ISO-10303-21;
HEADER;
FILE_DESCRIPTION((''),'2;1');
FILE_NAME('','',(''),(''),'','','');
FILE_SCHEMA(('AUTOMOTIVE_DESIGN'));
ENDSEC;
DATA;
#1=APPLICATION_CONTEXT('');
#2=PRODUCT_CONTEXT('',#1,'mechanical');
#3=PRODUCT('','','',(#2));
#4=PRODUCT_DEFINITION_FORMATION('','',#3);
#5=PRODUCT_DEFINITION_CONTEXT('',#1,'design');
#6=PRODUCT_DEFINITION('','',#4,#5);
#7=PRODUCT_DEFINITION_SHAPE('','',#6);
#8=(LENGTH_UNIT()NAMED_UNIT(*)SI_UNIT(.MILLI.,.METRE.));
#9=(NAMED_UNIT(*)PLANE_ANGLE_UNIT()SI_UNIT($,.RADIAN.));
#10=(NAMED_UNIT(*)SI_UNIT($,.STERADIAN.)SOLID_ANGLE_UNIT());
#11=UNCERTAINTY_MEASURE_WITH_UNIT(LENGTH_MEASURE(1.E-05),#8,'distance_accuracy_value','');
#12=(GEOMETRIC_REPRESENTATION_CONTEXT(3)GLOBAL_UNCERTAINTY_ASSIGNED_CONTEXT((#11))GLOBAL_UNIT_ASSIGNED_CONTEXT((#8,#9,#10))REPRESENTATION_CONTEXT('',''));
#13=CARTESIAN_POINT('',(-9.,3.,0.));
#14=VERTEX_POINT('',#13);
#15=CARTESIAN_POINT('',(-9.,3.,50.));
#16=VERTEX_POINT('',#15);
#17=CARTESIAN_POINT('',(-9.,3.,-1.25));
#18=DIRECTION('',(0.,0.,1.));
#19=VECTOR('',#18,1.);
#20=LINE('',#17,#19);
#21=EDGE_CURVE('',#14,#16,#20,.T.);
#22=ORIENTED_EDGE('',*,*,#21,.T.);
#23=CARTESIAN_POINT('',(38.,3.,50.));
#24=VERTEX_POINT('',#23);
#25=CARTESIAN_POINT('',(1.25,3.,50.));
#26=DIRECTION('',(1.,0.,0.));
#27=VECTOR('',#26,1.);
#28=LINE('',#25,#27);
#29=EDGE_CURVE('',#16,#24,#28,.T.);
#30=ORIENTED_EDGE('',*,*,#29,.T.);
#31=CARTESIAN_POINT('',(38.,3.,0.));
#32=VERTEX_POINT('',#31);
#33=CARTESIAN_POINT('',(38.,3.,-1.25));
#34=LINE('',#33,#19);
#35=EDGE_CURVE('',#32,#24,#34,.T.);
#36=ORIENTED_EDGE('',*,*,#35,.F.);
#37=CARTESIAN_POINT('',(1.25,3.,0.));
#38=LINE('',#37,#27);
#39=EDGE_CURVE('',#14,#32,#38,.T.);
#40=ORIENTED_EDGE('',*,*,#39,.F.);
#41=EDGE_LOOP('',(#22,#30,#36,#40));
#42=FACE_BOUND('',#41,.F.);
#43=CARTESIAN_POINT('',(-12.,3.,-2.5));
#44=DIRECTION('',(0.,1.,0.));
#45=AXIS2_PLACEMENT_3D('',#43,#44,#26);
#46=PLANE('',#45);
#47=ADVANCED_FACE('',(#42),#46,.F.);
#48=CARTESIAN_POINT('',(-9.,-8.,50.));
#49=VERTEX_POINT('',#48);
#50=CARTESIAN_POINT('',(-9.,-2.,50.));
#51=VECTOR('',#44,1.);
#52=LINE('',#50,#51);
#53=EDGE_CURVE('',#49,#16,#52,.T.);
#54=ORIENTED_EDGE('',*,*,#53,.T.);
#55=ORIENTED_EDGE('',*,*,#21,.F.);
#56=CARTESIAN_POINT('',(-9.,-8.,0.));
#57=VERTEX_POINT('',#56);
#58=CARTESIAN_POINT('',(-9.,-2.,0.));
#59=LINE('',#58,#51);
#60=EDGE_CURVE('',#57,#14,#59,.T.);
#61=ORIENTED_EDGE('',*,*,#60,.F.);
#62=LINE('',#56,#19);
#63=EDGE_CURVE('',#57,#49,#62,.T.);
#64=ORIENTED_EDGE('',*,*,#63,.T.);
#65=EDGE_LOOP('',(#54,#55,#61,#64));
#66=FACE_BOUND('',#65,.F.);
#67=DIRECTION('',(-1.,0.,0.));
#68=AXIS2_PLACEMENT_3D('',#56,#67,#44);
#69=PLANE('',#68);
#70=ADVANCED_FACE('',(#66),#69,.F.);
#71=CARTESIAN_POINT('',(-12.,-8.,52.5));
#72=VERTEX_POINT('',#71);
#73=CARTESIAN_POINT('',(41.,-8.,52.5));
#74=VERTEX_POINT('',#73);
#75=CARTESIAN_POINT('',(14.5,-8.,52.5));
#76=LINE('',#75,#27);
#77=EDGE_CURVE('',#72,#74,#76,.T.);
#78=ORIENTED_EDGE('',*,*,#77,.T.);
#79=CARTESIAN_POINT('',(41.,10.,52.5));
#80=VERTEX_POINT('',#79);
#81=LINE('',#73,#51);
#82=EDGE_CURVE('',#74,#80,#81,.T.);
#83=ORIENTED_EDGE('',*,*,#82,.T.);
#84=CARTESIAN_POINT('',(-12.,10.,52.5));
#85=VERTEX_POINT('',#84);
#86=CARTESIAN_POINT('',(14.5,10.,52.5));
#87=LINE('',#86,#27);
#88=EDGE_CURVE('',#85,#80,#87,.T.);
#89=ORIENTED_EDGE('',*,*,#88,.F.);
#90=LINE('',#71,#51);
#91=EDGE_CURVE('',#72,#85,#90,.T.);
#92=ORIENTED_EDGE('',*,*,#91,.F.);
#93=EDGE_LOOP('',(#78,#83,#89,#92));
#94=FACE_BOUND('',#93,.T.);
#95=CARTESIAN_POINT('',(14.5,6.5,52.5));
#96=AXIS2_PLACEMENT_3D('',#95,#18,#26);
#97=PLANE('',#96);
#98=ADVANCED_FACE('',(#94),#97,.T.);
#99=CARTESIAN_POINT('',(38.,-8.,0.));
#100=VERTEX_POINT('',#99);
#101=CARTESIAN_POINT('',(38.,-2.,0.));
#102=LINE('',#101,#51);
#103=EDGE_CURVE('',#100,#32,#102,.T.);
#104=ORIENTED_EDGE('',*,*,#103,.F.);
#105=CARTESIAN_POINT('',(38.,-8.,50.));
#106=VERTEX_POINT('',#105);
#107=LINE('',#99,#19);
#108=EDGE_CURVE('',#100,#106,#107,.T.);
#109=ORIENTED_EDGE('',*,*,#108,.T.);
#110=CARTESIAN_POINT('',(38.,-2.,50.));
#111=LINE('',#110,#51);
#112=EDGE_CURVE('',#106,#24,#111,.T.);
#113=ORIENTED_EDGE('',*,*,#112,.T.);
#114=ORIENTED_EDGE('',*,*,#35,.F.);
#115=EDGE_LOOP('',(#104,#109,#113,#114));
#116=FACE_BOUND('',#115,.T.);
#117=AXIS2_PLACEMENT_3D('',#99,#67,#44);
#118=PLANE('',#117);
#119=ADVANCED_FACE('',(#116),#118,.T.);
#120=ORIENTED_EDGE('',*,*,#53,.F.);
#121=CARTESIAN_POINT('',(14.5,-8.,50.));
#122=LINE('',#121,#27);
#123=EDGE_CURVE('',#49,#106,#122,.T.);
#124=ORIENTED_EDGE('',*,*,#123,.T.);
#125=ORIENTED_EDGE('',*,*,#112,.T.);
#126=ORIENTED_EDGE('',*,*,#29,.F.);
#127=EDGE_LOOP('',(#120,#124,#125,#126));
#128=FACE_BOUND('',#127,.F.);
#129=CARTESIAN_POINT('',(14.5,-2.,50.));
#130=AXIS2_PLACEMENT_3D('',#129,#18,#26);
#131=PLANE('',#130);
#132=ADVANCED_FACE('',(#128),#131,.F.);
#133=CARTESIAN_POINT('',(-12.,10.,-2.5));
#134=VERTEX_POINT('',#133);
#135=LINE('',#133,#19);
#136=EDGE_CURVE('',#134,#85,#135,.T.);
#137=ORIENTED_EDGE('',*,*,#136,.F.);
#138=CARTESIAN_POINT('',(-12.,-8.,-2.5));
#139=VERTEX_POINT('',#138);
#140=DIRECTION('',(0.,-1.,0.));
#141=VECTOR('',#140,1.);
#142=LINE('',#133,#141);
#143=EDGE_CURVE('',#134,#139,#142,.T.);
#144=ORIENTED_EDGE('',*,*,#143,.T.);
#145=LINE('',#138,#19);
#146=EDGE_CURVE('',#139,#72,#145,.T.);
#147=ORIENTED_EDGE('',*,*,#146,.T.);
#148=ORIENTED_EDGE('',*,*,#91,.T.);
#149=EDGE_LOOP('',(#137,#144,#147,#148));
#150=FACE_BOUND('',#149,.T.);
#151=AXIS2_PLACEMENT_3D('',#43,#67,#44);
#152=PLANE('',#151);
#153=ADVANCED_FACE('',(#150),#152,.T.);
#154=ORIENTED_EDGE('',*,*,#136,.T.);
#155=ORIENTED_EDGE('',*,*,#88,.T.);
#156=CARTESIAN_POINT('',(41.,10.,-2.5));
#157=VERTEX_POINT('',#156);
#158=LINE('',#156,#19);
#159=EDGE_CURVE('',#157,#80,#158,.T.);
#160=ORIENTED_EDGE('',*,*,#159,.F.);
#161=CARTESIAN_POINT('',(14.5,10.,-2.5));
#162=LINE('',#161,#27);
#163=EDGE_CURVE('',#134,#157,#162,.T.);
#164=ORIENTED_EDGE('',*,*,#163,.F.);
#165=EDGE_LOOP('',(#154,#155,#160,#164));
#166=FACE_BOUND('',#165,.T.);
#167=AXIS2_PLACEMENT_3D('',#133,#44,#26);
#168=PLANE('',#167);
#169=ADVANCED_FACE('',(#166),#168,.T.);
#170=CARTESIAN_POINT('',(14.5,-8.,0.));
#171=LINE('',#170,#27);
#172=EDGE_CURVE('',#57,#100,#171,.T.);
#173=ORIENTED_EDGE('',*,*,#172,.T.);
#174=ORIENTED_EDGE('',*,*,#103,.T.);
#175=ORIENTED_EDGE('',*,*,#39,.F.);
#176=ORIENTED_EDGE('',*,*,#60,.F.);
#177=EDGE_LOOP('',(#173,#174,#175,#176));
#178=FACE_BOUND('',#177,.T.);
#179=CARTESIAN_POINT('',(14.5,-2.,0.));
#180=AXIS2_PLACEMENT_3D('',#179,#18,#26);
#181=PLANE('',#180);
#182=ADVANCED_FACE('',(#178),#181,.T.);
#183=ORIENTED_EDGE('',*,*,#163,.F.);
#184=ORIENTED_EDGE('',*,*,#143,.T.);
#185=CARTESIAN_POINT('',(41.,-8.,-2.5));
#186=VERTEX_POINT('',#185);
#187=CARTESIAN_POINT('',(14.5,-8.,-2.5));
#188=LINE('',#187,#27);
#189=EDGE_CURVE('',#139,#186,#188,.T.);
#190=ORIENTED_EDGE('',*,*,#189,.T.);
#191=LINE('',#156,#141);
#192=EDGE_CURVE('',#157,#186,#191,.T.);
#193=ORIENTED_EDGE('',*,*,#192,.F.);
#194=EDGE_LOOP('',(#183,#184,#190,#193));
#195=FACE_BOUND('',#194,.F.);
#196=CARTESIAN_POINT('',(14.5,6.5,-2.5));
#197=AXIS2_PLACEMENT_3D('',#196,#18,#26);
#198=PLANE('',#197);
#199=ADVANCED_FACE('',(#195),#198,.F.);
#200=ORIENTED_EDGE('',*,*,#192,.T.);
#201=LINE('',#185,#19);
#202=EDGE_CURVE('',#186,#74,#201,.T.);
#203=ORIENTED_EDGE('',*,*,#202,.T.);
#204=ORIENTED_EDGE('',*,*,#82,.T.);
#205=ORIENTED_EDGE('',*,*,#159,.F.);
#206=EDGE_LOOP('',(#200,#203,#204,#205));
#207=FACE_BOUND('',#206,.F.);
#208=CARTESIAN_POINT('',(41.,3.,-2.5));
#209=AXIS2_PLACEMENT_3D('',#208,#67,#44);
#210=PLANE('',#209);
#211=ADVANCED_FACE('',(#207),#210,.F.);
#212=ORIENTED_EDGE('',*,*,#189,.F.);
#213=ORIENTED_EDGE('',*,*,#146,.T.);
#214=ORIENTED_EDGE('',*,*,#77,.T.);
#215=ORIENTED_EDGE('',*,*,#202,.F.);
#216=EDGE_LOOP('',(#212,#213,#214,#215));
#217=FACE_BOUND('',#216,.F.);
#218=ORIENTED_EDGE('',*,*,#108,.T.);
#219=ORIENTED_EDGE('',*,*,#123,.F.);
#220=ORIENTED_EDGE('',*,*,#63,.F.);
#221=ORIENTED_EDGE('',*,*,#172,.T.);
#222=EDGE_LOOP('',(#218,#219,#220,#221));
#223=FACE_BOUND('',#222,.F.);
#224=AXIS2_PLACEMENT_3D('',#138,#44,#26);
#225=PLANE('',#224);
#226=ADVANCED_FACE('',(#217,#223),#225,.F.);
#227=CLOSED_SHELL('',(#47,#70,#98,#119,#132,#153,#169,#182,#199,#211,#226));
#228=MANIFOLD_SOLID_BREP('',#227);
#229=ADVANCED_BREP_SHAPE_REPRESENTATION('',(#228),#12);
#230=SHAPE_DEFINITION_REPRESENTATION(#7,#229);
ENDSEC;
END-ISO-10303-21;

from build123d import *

# Parameters (mm, degrees)
BOX031_W     = 53
BOX031_H     = 7
BOX031_DEPTH = 55
BOX029_W     = 47
BOX029_H     = 12
BOX029_DEPTH = 50
BOX030_W     = 53
BOX030_H     = 11
BOX030_DEPTH = 55


with BuildPart() as cube030:
    # Box031 → Box031 (new body)
    with BuildSketch(Plane(origin=(-12, 3, -2.5), x_dir=(1, 0, 0), z_dir=(0, 0, 1))):
        with Locations((26.5, 3.5)):
            Rectangle(BOX031_W, BOX031_H)
    extrude(amount=BOX031_DEPTH)


with BuildPart() as cube028:
    # Box029 → Box029 (new body)
    with BuildSketch(Plane(origin=(-9, -8, 0), x_dir=(1, 0, 0), z_dir=(0, 0, 1))):
        with Locations((23.5, 6)):
            Rectangle(BOX029_W, BOX029_H)
    extrude(amount=BOX029_DEPTH)


with BuildPart() as fusion096:
    # Box030 → Box030 (new body)
    with BuildSketch(Plane(origin=(-12, -8, -2.5), x_dir=(1, 0, 0), z_dir=(0, 0, 1))):
        with Locations((26.5, 5.5)):
            Rectangle(BOX030_W, BOX030_H)
    extrude(amount=BOX030_DEPTH)

    # Cut045020: cut Cube028
    add(cube028.part, mode=Mode.SUBTRACT)

    # Fusion096: union Cube030
    add(cube030.part)


solid = fusion096.part
